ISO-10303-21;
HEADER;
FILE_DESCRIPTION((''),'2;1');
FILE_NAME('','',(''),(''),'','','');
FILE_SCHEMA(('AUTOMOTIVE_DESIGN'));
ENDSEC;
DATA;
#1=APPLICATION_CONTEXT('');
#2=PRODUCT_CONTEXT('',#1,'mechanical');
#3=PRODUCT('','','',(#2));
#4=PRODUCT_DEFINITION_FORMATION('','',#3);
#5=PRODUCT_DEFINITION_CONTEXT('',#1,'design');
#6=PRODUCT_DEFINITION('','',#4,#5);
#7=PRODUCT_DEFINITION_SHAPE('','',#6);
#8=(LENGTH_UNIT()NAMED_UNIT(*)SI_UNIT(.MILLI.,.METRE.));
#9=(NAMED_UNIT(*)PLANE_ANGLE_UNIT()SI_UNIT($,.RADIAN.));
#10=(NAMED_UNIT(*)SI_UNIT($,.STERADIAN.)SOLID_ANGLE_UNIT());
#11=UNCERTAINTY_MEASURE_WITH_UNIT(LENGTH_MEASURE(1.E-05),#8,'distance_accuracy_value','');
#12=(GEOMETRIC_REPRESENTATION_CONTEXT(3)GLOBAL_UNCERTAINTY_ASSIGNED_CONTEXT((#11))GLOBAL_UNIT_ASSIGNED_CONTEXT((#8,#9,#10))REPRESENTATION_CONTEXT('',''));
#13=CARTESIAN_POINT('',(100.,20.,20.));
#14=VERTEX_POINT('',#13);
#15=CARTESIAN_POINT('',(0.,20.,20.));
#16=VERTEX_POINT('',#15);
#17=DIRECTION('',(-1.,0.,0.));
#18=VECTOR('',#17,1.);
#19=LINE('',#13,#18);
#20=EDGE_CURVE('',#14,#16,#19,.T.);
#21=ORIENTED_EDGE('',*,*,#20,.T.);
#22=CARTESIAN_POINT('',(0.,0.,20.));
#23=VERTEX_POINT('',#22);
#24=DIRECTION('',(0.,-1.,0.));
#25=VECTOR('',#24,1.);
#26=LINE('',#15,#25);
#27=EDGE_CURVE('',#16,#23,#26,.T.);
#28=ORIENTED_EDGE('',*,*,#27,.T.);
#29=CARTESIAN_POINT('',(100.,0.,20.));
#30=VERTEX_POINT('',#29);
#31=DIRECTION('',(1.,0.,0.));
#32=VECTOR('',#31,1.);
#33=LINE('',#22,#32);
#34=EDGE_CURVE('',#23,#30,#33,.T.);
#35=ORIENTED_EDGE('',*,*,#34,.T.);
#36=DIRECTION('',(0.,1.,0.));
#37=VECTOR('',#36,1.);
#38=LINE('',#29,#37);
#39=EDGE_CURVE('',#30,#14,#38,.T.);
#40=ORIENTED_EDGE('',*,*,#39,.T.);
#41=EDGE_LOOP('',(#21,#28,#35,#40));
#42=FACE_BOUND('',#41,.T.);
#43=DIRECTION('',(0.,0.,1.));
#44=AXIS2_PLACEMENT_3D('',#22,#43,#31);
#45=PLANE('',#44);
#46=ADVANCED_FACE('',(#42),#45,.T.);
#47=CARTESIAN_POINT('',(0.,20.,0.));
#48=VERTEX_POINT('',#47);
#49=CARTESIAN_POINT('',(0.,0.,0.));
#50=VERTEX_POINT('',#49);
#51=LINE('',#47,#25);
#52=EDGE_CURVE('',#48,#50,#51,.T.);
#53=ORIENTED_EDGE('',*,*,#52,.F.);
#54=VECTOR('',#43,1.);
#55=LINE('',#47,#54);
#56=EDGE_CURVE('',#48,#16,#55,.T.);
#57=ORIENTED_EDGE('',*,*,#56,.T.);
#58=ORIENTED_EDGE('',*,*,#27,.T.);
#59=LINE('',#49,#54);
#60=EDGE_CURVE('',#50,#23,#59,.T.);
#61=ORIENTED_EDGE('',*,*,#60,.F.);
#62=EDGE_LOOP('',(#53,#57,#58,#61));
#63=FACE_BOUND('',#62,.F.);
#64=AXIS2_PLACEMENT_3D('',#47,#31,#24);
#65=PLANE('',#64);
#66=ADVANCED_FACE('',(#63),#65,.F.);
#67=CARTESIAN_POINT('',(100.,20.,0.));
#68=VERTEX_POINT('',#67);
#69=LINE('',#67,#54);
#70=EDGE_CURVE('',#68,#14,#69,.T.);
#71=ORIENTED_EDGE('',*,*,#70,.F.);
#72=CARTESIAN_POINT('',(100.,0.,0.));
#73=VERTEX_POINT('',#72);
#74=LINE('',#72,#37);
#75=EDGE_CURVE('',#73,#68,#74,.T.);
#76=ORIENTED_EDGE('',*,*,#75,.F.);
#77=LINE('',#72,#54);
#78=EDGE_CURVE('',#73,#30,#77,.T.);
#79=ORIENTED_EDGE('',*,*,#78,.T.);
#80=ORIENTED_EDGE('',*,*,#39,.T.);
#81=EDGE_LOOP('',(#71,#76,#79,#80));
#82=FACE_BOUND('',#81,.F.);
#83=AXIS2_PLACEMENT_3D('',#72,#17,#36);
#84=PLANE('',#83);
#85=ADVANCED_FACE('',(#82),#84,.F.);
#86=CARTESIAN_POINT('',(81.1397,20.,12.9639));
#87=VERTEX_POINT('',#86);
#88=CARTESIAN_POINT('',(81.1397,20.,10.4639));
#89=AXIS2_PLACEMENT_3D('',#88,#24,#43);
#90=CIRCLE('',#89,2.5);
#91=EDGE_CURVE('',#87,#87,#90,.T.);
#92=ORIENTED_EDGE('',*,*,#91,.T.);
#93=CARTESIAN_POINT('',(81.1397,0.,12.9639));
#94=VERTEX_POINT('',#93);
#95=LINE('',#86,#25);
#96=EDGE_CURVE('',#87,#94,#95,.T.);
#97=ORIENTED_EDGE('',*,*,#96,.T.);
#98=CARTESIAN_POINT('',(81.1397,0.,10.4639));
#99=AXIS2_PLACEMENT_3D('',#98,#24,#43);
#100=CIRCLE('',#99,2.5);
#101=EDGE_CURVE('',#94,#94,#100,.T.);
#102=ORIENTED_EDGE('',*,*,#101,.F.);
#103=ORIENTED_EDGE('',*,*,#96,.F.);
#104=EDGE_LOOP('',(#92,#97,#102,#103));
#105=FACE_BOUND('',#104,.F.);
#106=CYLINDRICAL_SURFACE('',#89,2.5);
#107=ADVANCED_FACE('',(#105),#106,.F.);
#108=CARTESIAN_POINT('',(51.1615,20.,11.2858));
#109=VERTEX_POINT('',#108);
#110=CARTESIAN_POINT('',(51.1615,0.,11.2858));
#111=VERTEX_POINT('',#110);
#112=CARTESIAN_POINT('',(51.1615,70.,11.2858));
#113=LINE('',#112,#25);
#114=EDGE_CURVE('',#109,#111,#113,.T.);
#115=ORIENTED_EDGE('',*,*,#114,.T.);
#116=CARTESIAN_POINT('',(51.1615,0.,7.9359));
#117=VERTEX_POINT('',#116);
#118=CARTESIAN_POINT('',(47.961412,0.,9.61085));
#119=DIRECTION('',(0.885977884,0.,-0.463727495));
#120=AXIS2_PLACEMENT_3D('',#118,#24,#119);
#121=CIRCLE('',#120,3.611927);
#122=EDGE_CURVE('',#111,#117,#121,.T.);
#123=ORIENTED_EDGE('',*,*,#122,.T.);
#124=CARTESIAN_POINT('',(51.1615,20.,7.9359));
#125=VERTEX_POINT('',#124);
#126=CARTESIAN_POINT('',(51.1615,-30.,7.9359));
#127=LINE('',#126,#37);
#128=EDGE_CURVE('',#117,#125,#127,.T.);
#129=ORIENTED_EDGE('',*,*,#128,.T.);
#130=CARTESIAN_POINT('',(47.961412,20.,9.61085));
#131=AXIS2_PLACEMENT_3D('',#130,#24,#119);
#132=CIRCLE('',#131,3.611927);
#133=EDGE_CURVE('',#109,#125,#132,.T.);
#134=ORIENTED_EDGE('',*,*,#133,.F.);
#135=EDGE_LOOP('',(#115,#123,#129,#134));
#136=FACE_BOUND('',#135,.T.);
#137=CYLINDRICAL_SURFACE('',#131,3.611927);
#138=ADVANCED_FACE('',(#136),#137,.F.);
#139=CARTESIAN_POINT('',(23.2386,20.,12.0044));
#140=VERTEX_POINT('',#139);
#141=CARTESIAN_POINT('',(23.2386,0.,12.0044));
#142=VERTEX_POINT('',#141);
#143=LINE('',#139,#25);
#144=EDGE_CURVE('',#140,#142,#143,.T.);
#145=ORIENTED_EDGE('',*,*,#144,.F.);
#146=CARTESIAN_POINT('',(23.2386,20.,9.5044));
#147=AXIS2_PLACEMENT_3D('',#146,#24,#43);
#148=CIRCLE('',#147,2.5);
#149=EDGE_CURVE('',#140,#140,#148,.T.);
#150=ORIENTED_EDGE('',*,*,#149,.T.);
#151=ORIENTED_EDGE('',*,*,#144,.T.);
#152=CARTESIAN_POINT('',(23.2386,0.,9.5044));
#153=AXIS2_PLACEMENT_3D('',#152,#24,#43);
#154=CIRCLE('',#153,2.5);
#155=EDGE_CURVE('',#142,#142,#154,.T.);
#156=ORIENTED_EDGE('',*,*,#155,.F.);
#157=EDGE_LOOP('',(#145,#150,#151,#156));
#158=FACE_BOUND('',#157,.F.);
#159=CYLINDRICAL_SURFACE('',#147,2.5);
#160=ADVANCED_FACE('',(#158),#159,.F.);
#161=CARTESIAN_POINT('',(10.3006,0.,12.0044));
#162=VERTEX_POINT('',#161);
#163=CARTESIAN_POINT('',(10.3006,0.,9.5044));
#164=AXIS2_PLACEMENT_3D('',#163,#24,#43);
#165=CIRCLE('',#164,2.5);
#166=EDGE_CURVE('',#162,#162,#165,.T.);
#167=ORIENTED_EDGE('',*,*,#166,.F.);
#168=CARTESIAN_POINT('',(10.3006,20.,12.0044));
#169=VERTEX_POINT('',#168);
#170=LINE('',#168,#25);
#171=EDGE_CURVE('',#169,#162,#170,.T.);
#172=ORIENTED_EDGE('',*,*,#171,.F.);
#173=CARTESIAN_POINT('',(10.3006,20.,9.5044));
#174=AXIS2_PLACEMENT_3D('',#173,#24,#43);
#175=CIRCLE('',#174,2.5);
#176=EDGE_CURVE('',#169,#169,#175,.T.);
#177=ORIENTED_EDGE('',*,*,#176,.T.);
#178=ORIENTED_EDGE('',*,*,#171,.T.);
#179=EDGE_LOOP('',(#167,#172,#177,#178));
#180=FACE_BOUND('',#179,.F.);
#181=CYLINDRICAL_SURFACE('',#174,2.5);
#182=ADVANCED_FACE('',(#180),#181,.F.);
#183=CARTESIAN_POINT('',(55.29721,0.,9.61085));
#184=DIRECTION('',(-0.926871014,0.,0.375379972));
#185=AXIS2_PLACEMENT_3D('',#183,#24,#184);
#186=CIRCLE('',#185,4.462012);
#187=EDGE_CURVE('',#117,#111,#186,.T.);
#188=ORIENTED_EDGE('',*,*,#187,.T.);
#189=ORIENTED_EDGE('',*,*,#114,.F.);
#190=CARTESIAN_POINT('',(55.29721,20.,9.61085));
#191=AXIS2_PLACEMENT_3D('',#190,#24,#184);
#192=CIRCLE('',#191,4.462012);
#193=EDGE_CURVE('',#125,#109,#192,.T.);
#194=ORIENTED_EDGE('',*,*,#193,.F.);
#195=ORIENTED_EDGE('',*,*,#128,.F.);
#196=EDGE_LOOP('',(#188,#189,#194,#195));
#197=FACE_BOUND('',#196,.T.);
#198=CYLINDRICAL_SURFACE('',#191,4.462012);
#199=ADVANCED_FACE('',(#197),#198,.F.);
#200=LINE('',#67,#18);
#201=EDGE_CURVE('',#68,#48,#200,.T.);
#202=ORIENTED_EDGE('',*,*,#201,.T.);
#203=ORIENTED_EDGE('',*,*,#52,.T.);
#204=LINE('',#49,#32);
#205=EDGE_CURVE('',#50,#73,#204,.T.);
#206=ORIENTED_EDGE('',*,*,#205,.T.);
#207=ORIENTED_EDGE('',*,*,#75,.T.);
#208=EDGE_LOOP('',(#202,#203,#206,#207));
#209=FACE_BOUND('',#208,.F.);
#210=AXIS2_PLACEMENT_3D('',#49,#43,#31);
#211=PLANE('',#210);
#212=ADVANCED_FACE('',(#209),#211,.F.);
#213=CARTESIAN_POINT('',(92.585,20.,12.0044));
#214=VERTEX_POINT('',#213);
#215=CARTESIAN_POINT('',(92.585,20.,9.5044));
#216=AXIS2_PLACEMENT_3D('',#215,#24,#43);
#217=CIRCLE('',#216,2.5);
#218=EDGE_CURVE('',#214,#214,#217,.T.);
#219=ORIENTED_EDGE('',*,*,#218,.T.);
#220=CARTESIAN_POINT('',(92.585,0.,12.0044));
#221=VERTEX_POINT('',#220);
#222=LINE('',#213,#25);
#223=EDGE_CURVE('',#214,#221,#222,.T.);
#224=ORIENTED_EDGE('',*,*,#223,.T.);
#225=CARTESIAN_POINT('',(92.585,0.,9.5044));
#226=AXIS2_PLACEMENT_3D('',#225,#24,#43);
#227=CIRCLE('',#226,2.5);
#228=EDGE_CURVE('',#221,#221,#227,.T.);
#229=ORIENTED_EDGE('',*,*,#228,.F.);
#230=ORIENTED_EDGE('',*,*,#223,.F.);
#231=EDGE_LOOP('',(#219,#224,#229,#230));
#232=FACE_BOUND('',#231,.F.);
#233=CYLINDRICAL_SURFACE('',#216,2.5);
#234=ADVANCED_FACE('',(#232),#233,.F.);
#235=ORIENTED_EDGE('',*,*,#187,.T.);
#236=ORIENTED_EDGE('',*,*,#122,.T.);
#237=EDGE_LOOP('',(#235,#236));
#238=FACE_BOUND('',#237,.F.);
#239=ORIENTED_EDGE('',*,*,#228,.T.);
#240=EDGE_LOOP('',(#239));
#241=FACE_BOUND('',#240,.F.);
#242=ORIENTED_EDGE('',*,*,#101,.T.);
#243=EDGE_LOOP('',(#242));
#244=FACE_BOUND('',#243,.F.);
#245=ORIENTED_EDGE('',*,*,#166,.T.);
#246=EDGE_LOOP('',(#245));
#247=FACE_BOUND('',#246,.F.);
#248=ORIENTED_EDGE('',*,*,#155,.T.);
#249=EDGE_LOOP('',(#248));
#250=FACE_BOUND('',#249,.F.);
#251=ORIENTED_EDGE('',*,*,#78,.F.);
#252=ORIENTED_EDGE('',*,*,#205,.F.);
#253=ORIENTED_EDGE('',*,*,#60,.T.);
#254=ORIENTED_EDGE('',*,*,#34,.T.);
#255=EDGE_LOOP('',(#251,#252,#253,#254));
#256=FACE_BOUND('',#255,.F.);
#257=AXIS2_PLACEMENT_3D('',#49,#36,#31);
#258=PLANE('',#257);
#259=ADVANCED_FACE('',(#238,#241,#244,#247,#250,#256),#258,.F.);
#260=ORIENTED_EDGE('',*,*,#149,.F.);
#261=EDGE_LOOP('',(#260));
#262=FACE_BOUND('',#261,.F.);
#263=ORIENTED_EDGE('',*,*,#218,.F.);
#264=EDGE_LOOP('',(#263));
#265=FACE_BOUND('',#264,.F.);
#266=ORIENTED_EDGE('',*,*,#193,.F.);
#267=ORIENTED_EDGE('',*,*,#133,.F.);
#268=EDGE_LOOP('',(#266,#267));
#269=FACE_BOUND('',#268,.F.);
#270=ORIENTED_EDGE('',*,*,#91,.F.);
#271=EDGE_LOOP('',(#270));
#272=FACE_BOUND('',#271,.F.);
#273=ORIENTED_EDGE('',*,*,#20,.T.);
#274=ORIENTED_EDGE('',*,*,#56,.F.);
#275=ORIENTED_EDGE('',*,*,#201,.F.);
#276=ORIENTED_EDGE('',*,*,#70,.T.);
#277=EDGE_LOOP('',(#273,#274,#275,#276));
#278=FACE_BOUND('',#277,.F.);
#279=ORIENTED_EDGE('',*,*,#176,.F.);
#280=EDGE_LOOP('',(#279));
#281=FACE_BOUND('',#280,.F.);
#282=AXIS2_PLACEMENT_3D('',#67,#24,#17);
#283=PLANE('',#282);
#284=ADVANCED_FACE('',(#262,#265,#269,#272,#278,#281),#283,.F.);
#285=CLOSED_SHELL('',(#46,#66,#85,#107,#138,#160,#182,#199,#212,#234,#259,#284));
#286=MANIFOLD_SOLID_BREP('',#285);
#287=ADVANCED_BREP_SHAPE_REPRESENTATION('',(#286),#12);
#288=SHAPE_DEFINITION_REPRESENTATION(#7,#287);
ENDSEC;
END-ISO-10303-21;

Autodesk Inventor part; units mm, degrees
ref_plane "YZ Plane" through (0, 0, 0) normal (1, 0, 0) x (0, 1, 0)
ref_plane "XZ Plane" through (0, 0, 0) normal (0, 1, 0) x (-1, 0, 0)
ref_plane "XY Plane" through (0, 0, 0) normal (0, 0, 1) x (1, 0, 0)
sketch "Sketch1" plane through (0, 0, 0) normal (0, 0, 1) x (1, 0, 0)
  line L0 (0, 0) -> (100, 0)
  line L1 (100, 0) -> (100, 20)
  line L2 (100, 20) -> (0, 20)
  line L3 (0, 20) -> (0, 0)
  dimension "d0" = 100
  dimension "d1" = 20
extrude "Extrusion1" add sketch "Sketch1" along normal blind 20
sketch "Sketch2" plane through (0, 20, 0) normal (0, 1, 0) x (1, 0, 0)
  circle A0 centre (10.3006, -9.5044) radius 3.7411
  circle A1 centre (23.2386, -9.5044) radius 3.8763
  circle A2 centre (92.585, -9.5044) radius 4.8406
  circle A3 centre (81.1397, -10.4639) radius 4.4927
  point P0 (0, 0)
hole "Hole1" at (10.3006, 20, 9.5044) at (23.2386, 20, 9.5044) at (81.1397, 20, 10.4639) at (92.585, 20, 9.5044) direction (0, -1, 0) diameter 5 end through all
sketch "Sketch3" plane through (0, 20, 0) normal (0, 1, 0) x (1, 0, 0)
  point P0 (0, 0)
sketch "Sketch4" plane through (0, 20, 0) normal (0, 1, 0) x (1, 0, 0)
  arc A0 (51.1615, -7.9359) -> (51.1615, -11.2858) centre (47.9614, -9.6108) ccw
  arc A1 (51.1615, -11.2858) -> (51.1615, -7.9359) centre (55.2972, -9.6108) ccw
  point P0 (0, 0)
extrude "Extrusion2" cut sketch "Sketch4" along normal mid plane 100
properties part number "measuring the torque"
